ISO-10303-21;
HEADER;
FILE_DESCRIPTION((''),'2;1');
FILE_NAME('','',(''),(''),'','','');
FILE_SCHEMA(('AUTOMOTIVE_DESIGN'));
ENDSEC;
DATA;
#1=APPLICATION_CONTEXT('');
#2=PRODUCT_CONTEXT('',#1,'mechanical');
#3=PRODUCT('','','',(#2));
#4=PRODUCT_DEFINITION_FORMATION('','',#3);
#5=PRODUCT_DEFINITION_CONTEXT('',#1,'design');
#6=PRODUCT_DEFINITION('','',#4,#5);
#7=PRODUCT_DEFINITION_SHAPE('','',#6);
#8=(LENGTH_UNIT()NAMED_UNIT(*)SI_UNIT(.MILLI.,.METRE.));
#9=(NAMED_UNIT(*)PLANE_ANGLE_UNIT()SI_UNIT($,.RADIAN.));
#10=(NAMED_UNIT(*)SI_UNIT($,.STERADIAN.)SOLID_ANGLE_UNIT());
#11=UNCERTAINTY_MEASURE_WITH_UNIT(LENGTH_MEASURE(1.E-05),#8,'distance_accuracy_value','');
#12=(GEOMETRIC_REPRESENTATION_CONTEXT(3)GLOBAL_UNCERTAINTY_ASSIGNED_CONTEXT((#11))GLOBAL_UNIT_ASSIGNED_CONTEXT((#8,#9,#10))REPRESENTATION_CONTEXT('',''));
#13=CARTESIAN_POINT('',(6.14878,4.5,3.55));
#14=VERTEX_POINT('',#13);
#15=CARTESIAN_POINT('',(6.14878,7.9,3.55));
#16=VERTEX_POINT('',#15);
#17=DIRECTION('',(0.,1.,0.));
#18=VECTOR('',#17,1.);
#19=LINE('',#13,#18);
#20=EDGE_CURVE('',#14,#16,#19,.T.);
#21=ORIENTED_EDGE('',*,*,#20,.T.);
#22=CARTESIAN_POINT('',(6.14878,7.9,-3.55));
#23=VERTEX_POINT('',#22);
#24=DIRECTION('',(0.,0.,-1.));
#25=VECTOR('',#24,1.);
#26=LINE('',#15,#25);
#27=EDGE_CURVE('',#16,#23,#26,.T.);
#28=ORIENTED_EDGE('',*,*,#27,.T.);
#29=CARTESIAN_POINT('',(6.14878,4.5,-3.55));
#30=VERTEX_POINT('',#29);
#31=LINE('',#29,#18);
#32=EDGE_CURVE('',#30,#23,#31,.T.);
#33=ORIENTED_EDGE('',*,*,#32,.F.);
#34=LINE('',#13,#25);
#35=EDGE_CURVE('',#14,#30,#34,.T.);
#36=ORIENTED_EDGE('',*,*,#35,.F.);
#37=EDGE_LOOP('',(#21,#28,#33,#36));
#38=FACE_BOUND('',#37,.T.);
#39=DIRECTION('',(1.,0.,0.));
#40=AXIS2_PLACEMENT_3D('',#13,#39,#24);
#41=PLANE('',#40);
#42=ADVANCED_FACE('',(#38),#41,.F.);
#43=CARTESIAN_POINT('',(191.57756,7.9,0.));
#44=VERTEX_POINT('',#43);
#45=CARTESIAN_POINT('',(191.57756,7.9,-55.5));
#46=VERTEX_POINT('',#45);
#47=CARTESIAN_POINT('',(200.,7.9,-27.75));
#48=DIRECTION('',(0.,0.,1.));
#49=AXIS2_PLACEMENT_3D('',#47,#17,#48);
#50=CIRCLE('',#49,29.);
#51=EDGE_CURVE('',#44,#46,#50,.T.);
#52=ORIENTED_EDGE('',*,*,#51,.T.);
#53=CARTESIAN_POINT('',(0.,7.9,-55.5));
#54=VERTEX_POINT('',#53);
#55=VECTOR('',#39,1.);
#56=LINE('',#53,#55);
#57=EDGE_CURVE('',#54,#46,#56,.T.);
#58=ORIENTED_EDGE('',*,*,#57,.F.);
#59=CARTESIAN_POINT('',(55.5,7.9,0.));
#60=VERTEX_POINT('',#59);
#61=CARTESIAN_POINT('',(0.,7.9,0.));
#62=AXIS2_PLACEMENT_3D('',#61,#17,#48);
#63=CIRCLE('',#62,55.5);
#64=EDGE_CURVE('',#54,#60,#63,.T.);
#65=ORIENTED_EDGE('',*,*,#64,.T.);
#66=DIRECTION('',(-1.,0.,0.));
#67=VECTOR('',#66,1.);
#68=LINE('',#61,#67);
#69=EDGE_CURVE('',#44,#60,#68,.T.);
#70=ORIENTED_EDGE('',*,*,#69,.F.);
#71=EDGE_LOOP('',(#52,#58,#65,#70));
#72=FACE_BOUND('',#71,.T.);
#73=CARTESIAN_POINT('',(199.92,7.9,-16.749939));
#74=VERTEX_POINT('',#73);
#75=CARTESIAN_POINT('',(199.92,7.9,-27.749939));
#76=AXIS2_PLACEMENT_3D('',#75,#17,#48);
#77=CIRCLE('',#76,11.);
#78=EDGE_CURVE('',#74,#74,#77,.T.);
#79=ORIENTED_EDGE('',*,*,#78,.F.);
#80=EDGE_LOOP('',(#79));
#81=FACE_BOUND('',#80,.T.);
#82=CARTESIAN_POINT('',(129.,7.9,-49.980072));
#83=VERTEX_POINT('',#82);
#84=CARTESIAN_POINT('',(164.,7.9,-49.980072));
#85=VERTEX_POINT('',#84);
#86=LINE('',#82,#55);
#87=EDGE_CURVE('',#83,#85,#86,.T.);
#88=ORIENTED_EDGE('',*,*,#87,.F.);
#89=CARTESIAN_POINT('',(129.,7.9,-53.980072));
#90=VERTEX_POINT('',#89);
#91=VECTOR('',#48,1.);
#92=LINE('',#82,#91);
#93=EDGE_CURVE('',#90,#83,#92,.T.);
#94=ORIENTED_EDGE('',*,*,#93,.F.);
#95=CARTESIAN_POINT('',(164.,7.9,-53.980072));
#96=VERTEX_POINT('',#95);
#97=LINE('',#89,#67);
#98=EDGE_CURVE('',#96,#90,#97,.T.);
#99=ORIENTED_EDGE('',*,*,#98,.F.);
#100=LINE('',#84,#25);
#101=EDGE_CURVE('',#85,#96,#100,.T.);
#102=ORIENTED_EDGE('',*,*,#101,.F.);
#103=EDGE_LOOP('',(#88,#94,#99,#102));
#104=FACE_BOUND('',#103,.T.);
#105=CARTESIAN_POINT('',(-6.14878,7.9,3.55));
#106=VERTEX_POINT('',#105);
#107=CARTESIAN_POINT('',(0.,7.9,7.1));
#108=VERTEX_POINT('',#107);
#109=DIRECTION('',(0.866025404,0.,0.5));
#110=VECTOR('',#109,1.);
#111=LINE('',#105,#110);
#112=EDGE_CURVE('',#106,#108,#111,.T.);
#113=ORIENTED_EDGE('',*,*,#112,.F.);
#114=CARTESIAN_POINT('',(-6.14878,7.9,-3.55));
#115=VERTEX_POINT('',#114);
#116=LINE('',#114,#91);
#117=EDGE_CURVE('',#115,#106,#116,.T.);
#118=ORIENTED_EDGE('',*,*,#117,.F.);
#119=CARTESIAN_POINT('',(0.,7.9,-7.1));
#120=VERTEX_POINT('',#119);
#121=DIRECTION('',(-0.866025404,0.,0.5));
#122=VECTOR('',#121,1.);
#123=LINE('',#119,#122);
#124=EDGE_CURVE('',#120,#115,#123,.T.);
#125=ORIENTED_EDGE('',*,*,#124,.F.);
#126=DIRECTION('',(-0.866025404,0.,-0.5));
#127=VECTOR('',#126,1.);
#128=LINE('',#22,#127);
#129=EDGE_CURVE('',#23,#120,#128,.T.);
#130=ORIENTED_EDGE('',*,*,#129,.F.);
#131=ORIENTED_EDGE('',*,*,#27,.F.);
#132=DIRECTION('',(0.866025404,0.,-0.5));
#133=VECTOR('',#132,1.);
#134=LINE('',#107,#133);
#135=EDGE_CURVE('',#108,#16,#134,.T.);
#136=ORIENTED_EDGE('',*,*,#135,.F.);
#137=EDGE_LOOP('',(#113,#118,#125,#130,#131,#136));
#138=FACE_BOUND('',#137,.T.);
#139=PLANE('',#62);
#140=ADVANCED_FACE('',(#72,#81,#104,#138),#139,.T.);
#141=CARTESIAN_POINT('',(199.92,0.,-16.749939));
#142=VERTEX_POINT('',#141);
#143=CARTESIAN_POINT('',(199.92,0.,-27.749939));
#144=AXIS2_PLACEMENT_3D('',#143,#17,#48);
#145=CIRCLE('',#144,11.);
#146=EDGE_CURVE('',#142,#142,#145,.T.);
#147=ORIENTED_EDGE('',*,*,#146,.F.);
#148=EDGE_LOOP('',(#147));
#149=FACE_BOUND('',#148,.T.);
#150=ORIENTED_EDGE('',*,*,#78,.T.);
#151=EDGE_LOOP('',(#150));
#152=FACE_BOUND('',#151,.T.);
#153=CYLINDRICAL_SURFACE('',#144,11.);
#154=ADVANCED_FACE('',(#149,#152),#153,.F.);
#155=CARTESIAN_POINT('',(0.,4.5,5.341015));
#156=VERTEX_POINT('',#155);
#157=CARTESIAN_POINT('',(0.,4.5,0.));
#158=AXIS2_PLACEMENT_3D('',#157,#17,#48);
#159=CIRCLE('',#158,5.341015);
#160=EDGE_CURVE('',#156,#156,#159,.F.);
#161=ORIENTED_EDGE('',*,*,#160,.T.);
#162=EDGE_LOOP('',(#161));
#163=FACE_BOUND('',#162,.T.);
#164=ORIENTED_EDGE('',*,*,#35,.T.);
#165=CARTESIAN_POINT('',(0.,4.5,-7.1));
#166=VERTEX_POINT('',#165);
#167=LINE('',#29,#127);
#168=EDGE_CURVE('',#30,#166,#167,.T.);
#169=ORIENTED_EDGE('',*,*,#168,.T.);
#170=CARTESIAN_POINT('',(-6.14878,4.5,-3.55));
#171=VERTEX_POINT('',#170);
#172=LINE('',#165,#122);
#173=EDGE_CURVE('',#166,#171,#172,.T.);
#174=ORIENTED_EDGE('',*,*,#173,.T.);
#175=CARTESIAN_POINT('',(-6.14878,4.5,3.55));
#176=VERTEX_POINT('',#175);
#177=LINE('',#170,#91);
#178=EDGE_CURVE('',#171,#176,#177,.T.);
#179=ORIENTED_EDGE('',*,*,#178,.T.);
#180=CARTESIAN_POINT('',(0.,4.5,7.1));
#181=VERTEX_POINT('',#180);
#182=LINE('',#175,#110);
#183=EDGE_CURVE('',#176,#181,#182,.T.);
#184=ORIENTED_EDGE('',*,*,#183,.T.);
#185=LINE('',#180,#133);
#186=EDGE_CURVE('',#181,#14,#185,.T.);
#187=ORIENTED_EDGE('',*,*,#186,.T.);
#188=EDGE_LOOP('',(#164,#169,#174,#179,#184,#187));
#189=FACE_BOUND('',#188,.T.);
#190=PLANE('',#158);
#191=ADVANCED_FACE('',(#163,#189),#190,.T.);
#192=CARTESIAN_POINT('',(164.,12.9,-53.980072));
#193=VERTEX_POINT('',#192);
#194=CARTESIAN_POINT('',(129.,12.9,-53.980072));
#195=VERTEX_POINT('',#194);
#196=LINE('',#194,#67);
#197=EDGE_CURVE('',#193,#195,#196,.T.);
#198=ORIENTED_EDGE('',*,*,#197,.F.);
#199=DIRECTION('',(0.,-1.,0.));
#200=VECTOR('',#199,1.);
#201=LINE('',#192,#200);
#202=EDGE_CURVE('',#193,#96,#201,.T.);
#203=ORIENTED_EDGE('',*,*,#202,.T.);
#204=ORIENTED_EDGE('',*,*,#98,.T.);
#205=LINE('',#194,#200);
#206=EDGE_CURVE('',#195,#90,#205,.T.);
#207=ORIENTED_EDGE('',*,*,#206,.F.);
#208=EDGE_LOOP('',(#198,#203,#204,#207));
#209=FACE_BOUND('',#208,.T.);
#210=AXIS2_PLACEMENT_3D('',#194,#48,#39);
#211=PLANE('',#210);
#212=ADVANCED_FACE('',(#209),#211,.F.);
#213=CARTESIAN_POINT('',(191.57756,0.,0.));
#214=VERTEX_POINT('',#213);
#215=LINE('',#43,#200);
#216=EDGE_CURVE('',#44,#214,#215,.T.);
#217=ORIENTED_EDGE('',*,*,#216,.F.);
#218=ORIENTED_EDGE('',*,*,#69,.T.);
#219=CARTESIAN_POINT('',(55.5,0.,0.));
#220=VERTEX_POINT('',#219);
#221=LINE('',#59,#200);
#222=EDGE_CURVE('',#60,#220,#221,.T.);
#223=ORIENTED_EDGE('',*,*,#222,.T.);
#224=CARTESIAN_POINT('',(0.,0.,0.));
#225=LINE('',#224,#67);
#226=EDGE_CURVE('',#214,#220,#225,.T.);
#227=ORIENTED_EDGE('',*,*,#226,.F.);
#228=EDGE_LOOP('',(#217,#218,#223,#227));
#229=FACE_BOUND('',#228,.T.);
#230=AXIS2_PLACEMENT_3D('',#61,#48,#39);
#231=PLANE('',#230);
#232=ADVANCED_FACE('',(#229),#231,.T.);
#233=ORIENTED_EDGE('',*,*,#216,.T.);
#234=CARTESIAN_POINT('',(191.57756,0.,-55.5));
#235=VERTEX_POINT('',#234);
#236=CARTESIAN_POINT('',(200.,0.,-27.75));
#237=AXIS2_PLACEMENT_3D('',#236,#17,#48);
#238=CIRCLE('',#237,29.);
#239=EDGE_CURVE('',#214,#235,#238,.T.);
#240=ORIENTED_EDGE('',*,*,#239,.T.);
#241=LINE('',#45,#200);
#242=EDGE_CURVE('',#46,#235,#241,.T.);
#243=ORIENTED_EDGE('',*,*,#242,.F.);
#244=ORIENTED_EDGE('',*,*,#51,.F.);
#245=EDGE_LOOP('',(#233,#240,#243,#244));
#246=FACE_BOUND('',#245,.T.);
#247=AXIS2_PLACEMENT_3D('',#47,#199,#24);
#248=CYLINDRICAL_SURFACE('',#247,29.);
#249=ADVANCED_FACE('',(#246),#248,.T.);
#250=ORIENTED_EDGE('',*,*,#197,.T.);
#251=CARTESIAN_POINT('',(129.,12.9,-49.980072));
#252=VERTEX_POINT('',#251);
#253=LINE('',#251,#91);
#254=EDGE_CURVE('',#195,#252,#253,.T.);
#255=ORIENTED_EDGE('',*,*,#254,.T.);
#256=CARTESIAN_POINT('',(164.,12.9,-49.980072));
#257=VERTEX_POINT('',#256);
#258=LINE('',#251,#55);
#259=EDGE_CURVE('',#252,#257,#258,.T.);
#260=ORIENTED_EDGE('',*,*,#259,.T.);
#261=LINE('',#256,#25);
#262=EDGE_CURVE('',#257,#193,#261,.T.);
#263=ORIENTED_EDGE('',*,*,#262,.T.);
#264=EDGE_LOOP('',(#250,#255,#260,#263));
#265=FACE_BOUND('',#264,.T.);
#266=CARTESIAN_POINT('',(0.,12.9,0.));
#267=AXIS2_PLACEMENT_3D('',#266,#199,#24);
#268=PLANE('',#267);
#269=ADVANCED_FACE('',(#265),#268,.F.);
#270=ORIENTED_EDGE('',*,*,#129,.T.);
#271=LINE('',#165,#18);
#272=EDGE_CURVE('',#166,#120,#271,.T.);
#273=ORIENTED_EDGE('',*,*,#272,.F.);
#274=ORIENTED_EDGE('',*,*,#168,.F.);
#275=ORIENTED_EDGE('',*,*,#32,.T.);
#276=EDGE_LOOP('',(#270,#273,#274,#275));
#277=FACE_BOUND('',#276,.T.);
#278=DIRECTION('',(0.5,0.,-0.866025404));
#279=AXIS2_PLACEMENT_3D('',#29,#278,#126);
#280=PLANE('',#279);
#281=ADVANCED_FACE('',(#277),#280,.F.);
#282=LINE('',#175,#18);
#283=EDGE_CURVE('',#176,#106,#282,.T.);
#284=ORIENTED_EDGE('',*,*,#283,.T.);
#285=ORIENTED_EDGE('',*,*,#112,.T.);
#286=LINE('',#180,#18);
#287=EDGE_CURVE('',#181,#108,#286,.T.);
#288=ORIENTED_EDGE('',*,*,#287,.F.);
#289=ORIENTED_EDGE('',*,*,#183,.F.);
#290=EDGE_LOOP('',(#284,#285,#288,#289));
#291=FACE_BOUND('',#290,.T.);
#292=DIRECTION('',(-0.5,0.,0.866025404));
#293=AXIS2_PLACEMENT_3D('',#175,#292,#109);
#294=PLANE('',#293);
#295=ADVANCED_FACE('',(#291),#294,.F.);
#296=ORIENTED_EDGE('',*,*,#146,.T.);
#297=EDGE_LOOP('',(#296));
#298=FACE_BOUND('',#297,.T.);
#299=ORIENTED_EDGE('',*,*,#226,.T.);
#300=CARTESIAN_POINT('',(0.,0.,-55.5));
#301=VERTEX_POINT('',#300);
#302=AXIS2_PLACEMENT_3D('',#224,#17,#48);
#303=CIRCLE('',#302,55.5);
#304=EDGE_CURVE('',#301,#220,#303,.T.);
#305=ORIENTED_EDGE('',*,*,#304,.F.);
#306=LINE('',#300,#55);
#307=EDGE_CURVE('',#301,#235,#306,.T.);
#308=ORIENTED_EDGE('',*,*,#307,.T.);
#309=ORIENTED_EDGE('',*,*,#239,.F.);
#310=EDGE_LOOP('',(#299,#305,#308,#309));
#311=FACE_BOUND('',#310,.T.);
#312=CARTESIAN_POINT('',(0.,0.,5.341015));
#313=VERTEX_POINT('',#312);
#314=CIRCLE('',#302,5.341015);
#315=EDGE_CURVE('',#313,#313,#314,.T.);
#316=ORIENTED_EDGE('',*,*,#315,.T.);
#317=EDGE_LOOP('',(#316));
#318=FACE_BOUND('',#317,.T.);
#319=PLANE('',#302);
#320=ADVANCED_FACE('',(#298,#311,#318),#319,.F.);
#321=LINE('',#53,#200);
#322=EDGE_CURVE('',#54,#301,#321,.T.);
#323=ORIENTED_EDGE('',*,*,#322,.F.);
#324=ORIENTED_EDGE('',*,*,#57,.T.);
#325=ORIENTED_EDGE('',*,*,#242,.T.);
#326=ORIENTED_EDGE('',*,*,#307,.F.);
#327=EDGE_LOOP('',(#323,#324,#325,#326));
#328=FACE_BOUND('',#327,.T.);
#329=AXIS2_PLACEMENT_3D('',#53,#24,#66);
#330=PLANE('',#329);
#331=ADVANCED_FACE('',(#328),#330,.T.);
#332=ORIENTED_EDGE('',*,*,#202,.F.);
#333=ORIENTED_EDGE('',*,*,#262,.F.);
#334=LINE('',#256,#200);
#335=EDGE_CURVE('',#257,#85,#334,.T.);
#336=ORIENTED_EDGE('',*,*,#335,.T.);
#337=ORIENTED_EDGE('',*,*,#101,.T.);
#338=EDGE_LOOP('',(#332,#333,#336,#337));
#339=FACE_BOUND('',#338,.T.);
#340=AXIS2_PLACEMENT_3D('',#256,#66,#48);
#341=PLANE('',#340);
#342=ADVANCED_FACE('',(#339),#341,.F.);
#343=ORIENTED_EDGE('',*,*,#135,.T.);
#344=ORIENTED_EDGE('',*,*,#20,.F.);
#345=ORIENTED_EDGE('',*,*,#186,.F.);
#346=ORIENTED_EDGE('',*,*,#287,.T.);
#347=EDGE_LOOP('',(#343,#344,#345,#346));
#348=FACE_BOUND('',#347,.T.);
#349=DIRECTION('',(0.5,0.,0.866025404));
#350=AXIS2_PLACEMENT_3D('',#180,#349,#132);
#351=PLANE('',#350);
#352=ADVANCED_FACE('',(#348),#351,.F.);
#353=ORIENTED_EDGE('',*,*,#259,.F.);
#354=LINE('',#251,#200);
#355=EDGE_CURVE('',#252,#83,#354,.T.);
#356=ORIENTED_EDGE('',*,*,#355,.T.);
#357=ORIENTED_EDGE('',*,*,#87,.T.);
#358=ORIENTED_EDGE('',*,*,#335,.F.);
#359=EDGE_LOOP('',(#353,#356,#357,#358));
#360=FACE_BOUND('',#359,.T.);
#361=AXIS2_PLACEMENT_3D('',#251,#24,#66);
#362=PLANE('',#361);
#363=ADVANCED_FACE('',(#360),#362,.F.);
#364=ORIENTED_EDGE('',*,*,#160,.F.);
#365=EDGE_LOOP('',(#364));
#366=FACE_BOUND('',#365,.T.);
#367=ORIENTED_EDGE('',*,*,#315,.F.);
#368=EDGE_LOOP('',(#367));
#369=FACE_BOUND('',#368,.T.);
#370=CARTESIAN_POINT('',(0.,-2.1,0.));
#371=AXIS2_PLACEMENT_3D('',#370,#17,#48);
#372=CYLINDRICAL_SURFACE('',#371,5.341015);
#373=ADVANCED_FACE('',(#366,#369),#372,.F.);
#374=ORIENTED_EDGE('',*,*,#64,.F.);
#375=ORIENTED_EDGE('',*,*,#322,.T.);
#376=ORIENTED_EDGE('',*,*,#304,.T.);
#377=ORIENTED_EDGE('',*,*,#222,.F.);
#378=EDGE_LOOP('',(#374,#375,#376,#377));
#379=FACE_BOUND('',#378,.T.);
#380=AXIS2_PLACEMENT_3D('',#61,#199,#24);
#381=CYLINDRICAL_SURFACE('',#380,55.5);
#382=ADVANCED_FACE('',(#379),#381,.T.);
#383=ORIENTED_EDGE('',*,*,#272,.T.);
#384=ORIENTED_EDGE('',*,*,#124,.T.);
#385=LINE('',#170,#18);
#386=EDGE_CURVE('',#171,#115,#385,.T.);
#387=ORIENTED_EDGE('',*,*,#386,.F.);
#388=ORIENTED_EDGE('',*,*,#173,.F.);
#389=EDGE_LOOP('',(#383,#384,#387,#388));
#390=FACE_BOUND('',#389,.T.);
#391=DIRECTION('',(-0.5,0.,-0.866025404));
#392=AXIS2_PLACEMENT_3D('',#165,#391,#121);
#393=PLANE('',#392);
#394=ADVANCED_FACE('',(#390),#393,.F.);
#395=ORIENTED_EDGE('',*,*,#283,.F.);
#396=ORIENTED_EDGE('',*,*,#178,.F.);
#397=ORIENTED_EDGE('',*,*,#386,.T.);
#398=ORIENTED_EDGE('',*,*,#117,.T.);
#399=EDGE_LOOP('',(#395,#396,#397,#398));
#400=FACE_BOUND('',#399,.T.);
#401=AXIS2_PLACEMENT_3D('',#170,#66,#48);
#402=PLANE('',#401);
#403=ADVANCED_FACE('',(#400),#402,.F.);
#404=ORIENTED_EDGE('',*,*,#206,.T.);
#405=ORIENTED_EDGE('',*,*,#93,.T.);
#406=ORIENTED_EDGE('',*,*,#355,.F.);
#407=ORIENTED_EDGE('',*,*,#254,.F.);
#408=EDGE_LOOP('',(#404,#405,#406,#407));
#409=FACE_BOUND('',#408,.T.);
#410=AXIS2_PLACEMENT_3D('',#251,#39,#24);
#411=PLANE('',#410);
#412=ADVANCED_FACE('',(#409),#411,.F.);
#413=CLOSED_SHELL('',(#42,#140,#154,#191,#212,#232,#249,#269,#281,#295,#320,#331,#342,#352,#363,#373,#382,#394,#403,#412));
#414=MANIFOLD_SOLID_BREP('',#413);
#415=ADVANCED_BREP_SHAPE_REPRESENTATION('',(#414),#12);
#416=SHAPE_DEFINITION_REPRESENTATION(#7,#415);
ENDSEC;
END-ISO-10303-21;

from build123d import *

# Parameters (mm, degrees)
EXTRUDE_1_DEPTH     = 7.9
SKETCH_20_W         = 35
SKETCH_20_H         = 4
EXTRUDE_10_DEPTH    = 5
SKETCH_21_R         = 11
CUT_EXTRUDE_2_DEPTH = 8.9
SKETCH_2_R          = 5.341015389
CUT_EXTRUDE_3_DEPTH = 10
CUT_EXTRUDE_4_DEPTH = 3.4


with BuildPart() as part:
    # Эскиз1 → Бобышка-Вытянуть1 (new body)
    with BuildSketch(Plane(origin=(0, 0, 0), x_dir=(1, 0, 0), z_dir=(0, 1, 0))):
        with BuildLine():
            Line((191.577559736, 55.5), (0, 55.5))
            ThreePointArc((0, 55.5), (-39.244426356, -39.244426356), (55.5, 0))
            Line((55.5, 0), (191.577559736, 0))
            ThreePointArc((191.577559736, 0), (229, 27.75), (191.577559736, 55.5))
        make_face()
    extrude(amount=EXTRUDE_1_DEPTH)

    # Эскиз20 → Бобышка-Вытянуть10 (add)
    with BuildSketch(Plane(origin=(0, 7.9, 0), x_dir=(1, 0, 0), z_dir=(0, 1, 0))):
        with Locations((146.5, 51.980071838)):
            Rectangle(SKETCH_20_W, SKETCH_20_H)
    extrude(amount=EXTRUDE_10_DEPTH)

    # Эскиз21 → Вырез-Вытянуть2 (cut, through all)
    with BuildSketch(Plane(origin=(0, 7.9, 0), x_dir=(1, 0, 0), z_dir=(0, 1, 0))):
        with Locations((199.92, 27.749938535)):
            Circle(SKETCH_21_R)
    extrude(amount=-CUT_EXTRUDE_2_DEPTH, mode=Mode.SUBTRACT)

    # Эскиз2 → Вырез-Вытянуть3 (cut)
    with BuildSketch(Plane(origin=(0, 7.9, 0), x_dir=(1, 0, 0), z_dir=(0, 1, 0))):
        Circle(SKETCH_2_R)
    extrude(amount=-CUT_EXTRUDE_3_DEPTH, mode=Mode.SUBTRACT)

    # Эскиз22 → Вырез-Вытянуть4 (cut)
    with BuildSketch(Plane(origin=(0, 7.9, 0), x_dir=(1, 0, 0), z_dir=(0, 1, 0))):
        Polygon((0, 7.1), (-6.148780367, 3.55), (-6.148780367, -3.55), (0, -7.1), (6.148780367, -3.55), (6.148780367, 3.55), align=None)
    extrude(amount=-CUT_EXTRUDE_4_DEPTH, mode=Mode.SUBTRACT)


solid = part.part
